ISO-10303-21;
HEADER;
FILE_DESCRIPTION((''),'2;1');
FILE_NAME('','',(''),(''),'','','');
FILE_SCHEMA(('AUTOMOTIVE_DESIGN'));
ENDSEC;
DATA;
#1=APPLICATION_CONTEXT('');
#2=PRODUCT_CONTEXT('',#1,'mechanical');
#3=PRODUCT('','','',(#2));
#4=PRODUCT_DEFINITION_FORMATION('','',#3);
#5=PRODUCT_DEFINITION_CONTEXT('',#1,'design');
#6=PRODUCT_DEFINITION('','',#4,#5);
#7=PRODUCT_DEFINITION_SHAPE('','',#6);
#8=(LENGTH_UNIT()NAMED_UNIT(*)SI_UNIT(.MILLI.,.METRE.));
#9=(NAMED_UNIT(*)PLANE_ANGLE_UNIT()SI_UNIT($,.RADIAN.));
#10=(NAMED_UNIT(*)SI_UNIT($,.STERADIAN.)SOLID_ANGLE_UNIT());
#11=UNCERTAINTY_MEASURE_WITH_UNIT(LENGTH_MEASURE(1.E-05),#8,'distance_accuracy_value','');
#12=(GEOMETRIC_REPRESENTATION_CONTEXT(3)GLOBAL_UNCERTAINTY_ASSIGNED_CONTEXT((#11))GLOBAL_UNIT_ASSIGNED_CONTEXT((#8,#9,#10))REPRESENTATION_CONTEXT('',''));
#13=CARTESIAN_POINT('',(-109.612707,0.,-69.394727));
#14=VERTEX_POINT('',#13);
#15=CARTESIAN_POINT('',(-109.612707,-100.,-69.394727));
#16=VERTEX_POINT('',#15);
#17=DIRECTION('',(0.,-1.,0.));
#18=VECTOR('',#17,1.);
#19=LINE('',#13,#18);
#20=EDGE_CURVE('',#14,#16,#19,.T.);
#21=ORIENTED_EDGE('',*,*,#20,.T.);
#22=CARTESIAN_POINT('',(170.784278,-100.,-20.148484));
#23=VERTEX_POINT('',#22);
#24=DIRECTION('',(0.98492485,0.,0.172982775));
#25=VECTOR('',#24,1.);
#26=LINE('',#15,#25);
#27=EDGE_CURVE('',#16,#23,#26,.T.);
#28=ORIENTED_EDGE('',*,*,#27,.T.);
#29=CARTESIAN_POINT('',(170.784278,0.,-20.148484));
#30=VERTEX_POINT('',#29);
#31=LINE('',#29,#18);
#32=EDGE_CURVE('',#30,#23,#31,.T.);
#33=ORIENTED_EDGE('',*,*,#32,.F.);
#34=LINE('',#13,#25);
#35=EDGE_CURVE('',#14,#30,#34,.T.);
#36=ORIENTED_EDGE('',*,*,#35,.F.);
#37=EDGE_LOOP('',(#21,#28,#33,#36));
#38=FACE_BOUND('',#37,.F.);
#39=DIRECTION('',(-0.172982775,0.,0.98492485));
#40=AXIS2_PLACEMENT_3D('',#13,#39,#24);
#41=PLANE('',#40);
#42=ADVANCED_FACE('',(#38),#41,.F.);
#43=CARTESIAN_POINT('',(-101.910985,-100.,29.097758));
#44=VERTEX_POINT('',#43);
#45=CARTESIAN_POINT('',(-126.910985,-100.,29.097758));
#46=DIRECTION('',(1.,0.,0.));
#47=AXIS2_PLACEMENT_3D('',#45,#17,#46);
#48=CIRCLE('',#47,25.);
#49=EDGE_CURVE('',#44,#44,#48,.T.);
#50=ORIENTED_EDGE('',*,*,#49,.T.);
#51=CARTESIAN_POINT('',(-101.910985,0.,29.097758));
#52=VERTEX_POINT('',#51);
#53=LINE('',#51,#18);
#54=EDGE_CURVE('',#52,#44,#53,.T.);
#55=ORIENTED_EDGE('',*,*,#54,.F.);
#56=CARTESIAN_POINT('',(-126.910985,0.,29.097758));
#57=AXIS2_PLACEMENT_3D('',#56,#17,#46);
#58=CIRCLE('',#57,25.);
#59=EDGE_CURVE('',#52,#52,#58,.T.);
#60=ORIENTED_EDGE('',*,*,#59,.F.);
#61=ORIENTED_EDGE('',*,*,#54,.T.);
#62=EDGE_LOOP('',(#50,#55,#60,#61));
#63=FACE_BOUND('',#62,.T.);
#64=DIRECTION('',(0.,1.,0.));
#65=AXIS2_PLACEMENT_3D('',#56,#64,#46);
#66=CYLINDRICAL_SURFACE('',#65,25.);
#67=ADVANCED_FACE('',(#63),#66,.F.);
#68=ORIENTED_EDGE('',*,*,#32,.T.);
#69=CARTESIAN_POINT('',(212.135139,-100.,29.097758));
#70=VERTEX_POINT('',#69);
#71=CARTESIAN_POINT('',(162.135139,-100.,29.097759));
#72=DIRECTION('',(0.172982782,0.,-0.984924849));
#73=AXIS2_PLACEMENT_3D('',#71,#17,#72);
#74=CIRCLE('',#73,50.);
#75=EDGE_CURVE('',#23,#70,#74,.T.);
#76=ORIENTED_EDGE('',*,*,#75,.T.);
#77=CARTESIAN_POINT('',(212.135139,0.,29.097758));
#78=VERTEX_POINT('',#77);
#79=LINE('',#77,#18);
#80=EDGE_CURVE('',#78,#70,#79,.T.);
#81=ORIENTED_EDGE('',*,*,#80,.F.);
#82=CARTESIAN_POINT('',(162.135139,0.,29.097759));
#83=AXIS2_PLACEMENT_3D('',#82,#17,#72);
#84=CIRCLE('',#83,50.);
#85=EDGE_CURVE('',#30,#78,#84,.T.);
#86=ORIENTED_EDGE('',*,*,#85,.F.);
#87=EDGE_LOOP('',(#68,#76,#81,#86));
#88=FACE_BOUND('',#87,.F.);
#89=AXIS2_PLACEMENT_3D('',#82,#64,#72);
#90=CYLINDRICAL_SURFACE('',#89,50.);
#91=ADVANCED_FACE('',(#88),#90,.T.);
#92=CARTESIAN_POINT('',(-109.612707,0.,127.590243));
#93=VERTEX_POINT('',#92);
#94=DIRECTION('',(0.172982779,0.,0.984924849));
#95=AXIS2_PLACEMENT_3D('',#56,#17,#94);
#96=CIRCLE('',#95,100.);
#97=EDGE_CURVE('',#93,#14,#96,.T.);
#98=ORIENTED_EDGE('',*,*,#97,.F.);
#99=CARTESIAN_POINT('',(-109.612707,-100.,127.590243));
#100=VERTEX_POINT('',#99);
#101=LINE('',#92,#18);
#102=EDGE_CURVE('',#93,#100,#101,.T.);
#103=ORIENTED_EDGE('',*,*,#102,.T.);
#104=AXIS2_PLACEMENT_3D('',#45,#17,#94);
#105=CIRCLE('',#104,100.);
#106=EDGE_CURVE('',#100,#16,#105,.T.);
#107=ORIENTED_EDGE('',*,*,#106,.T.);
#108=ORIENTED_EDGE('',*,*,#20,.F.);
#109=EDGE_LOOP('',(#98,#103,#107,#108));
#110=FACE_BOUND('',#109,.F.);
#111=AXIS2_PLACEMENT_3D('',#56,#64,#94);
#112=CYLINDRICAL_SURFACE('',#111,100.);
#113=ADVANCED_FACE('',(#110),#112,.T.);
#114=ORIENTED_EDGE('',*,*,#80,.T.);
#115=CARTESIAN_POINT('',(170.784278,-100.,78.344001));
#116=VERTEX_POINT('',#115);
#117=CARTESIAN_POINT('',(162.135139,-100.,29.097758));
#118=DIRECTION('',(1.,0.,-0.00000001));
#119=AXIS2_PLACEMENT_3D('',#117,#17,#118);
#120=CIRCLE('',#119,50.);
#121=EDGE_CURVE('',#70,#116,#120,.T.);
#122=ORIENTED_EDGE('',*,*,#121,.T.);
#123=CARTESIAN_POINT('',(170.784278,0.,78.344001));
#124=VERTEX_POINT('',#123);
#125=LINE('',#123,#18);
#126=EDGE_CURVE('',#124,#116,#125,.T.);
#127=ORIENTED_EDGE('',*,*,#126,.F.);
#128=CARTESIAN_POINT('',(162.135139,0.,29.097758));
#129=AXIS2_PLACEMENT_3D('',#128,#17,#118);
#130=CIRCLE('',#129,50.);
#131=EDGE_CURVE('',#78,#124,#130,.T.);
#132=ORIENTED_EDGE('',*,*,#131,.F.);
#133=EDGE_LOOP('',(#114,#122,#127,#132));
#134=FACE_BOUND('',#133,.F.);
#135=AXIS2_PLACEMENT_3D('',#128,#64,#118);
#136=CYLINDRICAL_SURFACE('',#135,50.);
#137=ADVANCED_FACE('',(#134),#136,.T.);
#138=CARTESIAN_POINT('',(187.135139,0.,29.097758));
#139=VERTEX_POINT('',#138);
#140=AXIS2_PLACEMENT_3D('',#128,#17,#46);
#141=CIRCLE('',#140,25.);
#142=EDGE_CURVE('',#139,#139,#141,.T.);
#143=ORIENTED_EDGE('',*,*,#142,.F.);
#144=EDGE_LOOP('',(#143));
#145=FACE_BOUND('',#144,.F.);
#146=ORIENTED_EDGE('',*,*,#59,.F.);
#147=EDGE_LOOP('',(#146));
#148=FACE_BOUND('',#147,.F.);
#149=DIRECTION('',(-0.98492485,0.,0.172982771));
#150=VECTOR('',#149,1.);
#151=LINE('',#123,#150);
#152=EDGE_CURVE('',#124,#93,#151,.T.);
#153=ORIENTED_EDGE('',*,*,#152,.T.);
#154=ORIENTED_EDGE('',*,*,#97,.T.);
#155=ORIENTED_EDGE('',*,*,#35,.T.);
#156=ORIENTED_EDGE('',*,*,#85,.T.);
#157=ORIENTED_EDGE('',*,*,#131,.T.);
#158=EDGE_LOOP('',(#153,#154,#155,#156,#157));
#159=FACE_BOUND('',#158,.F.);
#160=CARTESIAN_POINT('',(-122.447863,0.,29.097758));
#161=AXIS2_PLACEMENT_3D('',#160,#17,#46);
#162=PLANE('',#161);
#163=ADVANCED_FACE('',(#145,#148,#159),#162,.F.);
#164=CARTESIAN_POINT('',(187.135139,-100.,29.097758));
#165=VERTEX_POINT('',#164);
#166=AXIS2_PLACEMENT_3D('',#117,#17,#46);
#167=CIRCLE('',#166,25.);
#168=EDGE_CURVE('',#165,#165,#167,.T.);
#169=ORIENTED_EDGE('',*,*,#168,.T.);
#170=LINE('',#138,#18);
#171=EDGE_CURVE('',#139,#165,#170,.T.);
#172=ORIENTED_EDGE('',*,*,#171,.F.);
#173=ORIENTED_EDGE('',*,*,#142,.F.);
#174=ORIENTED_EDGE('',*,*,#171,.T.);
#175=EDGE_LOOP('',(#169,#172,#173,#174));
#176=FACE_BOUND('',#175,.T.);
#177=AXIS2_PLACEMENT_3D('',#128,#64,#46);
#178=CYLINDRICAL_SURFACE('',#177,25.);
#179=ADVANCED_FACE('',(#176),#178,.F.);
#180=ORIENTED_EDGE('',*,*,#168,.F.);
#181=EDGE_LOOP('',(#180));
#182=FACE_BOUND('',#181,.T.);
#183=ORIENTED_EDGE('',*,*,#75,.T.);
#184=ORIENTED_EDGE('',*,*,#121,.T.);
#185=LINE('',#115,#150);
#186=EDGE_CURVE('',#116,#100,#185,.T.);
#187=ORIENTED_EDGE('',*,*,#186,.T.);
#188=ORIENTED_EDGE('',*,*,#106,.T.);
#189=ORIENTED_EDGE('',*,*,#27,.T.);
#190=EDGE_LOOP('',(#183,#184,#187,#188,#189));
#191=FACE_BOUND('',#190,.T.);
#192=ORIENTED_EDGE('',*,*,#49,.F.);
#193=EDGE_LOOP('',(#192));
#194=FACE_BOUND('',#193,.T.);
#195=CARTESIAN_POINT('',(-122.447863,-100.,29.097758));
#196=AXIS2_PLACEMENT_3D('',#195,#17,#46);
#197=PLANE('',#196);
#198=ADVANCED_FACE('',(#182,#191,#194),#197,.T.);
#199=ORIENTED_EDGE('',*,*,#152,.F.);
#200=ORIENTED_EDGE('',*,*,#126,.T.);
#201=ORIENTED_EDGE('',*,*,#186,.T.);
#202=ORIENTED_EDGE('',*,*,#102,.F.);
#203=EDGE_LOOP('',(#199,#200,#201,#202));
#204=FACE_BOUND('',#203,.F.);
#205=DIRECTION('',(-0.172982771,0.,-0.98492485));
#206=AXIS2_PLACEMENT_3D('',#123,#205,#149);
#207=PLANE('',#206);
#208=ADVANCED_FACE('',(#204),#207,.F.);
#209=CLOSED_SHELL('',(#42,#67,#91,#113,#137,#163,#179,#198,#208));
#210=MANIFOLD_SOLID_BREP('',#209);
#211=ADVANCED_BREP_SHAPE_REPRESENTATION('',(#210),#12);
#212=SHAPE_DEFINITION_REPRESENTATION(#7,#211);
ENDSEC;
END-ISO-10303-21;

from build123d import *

# Parameters (mm, degrees)
F0_R     = 25
F1_DEPTH = 100


with BuildPart() as f1:
    # F0 (on Front) → F1 (new body)
    with BuildSketch(Plane.XZ):
        with BuildLine():
            ThreePointArc((-109.612707, -69.394727), (-50.328259, -35.206877), (-26.910985, 29.097758))
            ThreePointArc((-26.910985, 29.097758), (-50.328259, 93.402394), (-109.612707, 127.590243))
            ThreePointArc((-109.612707, 127.590243), (-226.910985, 29.097758), (-109.612707, -69.394727))
        make_face()
        with Locations((-126.910985, 29.097758)):
            Circle(F0_R, mode=Mode.SUBTRACT)
        with BuildLine():
            ThreePointArc((-109.612707, 127.590243), (-50.328259, 93.402394), (-26.910985, 29.097758))
            ThreePointArc((-26.910985, 29.097758), (-50.328259, -35.206877), (-109.612707, -69.394727))
            Line((-109.612707, -69.394727), (170.784278, -20.148484))
            ThreePointArc((170.784278, -20.148484), (112.135139, 29.097758), (170.784278, 78.344001))
            Line((170.784278, 78.344001), (-109.612707, 127.590243))
        make_face()
        with BuildLine():
            ThreePointArc((212.135139, 29.097758), (200.426502, 61.250076), (170.784278, 78.344001))
            ThreePointArc((170.784278, 78.344001), (112.135139, 29.097758), (170.784278, -20.148484))
            ThreePointArc((170.784278, -20.148484), (200.426502, -3.054559), (212.135139, 29.097758))
        make_face()
        with Locations((162.135139, 29.097758)):
            Circle(F0_R, mode=Mode.SUBTRACT)
    extrude(amount=F1_DEPTH)


solid = f1.part
